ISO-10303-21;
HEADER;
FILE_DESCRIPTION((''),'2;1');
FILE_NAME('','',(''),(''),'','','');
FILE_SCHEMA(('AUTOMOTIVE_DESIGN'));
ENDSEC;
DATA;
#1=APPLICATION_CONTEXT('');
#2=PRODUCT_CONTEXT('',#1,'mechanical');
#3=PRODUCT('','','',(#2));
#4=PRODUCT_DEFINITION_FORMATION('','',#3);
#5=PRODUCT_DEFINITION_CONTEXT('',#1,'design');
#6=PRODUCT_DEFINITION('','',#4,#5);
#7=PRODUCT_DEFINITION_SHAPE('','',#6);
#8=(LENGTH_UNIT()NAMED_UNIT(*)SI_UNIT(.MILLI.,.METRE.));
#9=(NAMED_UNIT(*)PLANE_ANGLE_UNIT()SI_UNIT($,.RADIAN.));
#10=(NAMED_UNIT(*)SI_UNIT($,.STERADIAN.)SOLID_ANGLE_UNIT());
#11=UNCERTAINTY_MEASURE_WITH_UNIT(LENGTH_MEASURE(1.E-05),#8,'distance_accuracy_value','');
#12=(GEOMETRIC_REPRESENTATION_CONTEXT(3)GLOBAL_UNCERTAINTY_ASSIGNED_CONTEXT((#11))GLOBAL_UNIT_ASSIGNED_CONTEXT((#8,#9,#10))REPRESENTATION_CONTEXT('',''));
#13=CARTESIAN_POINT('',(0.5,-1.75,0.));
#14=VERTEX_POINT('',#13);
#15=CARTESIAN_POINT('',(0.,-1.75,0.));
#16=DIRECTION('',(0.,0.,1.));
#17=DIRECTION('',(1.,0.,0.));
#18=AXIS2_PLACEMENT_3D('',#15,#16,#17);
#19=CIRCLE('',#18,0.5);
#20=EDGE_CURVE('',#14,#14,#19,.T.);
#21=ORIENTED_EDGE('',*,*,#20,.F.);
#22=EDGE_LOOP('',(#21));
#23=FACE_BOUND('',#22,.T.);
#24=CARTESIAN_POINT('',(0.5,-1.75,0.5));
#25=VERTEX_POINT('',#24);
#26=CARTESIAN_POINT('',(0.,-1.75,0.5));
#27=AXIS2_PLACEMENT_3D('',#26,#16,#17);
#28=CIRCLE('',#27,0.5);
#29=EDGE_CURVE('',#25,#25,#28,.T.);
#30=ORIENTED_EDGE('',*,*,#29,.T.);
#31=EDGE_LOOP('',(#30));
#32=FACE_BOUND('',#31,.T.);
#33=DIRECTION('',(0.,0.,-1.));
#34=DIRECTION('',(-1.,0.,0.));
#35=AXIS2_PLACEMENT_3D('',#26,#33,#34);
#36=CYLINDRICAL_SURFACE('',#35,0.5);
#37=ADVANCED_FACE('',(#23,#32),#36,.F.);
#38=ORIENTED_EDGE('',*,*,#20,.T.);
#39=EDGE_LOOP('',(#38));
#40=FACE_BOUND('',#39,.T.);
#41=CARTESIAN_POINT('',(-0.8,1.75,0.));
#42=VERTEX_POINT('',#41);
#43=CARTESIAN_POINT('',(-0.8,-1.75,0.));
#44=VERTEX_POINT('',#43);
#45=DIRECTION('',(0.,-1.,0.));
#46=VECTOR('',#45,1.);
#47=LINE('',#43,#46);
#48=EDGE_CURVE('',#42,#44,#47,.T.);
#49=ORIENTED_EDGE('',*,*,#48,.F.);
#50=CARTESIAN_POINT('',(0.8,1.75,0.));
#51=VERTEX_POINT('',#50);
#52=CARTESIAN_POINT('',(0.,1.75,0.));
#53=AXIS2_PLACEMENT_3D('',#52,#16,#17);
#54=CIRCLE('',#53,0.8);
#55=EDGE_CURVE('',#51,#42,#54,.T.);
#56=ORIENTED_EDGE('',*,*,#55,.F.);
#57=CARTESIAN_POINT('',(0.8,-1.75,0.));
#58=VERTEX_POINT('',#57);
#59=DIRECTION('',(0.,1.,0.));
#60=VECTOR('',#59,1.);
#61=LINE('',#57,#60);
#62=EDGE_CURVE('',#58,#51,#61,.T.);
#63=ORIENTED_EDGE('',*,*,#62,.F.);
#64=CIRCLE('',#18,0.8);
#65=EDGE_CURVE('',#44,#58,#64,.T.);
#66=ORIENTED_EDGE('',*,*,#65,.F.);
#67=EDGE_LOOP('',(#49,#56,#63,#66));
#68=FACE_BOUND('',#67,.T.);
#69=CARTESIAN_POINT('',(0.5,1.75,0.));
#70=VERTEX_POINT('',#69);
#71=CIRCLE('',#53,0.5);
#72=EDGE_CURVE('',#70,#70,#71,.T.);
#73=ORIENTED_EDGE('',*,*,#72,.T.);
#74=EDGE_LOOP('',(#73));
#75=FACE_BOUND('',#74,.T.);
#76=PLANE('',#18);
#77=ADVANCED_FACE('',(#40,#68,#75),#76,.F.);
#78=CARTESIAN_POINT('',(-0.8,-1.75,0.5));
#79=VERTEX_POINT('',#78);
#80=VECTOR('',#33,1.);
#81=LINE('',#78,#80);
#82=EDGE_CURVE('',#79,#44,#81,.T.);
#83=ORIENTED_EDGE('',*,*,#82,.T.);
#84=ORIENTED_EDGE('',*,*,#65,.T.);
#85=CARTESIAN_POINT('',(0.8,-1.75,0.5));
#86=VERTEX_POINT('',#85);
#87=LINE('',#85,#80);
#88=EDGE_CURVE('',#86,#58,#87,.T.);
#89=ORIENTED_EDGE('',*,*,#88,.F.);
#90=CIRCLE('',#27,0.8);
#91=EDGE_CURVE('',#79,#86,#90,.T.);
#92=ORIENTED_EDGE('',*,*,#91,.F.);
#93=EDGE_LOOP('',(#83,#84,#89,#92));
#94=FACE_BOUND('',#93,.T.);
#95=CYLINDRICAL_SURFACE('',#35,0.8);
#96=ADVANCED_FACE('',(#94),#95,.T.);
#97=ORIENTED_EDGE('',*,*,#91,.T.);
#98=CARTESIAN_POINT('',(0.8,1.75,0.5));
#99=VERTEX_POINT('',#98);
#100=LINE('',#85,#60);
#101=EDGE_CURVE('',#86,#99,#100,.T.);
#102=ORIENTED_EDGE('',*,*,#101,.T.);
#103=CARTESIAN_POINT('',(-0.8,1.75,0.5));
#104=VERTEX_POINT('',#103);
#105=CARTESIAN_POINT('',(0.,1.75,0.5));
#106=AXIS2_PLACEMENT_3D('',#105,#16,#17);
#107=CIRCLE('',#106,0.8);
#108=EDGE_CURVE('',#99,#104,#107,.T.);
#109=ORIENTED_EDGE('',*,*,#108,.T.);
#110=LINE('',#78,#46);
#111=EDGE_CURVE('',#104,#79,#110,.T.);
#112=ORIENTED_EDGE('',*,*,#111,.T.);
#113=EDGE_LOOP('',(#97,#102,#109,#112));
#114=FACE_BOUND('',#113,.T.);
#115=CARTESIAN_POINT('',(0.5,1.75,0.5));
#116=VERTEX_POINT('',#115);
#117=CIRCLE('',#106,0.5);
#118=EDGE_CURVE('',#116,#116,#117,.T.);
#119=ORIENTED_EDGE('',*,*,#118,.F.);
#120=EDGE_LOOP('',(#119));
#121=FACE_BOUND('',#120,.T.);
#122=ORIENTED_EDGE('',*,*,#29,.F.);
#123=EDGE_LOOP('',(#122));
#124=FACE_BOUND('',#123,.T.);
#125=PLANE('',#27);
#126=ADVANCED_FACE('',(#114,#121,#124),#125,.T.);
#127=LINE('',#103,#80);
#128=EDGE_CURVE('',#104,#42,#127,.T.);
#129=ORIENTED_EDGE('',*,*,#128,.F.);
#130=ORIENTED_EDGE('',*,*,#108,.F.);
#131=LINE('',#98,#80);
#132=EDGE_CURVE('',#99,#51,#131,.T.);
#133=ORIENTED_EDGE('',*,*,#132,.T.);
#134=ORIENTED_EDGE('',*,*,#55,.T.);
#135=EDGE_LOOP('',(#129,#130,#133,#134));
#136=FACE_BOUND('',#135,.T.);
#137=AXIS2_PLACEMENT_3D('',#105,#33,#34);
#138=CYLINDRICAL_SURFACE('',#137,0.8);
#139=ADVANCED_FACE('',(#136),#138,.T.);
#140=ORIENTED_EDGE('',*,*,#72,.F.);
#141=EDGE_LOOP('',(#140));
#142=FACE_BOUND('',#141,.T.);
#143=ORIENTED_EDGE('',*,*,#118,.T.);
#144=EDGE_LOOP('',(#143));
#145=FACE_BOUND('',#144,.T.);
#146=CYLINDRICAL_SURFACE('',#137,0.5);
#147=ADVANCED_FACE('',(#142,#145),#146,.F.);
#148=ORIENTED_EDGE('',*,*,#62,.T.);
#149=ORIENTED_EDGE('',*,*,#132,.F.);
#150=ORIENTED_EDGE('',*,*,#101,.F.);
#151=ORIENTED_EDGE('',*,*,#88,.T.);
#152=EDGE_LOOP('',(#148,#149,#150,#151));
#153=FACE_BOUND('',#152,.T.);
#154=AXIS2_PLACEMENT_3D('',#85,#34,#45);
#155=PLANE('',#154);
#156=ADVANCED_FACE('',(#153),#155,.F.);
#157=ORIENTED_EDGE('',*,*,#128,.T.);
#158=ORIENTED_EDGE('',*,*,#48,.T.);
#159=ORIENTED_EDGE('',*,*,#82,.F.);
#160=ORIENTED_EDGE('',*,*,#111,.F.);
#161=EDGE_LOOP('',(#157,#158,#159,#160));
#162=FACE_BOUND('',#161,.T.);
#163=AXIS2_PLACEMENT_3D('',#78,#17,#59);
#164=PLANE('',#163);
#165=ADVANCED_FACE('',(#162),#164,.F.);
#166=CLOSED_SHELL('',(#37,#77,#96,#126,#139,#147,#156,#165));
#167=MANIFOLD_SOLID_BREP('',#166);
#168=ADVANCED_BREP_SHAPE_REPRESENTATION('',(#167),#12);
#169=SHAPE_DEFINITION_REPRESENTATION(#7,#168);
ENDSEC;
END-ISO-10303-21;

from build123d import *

# Parameters (mm, degrees)
SKETCH_1_R      = 0.5
EXTRUDE_1_DEPTH = 0.5


with BuildPart() as part:
    # 草圖1 → 填料-伸長1 (new body)
    with BuildSketch(Plane.XY):
        with BuildLine():
            Line((-0.8, -1.75), (-0.8, 1.75))
            ThreePointArc((-0.8, 1.75), (0, 2.55), (0.8, 1.75))
            Line((0.8, 1.75), (0.8, -1.75))
            ThreePointArc((0.8, -1.75), (0, -2.55), (-0.8, -1.75))
        make_face()
        with Locations((0, 1.75)):
            Circle(SKETCH_1_R, mode=Mode.SUBTRACT)
        with Locations((0, -1.75)):
            Circle(SKETCH_1_R, mode=Mode.SUBTRACT)
    extrude(amount=EXTRUDE_1_DEPTH)


solid = part.part
